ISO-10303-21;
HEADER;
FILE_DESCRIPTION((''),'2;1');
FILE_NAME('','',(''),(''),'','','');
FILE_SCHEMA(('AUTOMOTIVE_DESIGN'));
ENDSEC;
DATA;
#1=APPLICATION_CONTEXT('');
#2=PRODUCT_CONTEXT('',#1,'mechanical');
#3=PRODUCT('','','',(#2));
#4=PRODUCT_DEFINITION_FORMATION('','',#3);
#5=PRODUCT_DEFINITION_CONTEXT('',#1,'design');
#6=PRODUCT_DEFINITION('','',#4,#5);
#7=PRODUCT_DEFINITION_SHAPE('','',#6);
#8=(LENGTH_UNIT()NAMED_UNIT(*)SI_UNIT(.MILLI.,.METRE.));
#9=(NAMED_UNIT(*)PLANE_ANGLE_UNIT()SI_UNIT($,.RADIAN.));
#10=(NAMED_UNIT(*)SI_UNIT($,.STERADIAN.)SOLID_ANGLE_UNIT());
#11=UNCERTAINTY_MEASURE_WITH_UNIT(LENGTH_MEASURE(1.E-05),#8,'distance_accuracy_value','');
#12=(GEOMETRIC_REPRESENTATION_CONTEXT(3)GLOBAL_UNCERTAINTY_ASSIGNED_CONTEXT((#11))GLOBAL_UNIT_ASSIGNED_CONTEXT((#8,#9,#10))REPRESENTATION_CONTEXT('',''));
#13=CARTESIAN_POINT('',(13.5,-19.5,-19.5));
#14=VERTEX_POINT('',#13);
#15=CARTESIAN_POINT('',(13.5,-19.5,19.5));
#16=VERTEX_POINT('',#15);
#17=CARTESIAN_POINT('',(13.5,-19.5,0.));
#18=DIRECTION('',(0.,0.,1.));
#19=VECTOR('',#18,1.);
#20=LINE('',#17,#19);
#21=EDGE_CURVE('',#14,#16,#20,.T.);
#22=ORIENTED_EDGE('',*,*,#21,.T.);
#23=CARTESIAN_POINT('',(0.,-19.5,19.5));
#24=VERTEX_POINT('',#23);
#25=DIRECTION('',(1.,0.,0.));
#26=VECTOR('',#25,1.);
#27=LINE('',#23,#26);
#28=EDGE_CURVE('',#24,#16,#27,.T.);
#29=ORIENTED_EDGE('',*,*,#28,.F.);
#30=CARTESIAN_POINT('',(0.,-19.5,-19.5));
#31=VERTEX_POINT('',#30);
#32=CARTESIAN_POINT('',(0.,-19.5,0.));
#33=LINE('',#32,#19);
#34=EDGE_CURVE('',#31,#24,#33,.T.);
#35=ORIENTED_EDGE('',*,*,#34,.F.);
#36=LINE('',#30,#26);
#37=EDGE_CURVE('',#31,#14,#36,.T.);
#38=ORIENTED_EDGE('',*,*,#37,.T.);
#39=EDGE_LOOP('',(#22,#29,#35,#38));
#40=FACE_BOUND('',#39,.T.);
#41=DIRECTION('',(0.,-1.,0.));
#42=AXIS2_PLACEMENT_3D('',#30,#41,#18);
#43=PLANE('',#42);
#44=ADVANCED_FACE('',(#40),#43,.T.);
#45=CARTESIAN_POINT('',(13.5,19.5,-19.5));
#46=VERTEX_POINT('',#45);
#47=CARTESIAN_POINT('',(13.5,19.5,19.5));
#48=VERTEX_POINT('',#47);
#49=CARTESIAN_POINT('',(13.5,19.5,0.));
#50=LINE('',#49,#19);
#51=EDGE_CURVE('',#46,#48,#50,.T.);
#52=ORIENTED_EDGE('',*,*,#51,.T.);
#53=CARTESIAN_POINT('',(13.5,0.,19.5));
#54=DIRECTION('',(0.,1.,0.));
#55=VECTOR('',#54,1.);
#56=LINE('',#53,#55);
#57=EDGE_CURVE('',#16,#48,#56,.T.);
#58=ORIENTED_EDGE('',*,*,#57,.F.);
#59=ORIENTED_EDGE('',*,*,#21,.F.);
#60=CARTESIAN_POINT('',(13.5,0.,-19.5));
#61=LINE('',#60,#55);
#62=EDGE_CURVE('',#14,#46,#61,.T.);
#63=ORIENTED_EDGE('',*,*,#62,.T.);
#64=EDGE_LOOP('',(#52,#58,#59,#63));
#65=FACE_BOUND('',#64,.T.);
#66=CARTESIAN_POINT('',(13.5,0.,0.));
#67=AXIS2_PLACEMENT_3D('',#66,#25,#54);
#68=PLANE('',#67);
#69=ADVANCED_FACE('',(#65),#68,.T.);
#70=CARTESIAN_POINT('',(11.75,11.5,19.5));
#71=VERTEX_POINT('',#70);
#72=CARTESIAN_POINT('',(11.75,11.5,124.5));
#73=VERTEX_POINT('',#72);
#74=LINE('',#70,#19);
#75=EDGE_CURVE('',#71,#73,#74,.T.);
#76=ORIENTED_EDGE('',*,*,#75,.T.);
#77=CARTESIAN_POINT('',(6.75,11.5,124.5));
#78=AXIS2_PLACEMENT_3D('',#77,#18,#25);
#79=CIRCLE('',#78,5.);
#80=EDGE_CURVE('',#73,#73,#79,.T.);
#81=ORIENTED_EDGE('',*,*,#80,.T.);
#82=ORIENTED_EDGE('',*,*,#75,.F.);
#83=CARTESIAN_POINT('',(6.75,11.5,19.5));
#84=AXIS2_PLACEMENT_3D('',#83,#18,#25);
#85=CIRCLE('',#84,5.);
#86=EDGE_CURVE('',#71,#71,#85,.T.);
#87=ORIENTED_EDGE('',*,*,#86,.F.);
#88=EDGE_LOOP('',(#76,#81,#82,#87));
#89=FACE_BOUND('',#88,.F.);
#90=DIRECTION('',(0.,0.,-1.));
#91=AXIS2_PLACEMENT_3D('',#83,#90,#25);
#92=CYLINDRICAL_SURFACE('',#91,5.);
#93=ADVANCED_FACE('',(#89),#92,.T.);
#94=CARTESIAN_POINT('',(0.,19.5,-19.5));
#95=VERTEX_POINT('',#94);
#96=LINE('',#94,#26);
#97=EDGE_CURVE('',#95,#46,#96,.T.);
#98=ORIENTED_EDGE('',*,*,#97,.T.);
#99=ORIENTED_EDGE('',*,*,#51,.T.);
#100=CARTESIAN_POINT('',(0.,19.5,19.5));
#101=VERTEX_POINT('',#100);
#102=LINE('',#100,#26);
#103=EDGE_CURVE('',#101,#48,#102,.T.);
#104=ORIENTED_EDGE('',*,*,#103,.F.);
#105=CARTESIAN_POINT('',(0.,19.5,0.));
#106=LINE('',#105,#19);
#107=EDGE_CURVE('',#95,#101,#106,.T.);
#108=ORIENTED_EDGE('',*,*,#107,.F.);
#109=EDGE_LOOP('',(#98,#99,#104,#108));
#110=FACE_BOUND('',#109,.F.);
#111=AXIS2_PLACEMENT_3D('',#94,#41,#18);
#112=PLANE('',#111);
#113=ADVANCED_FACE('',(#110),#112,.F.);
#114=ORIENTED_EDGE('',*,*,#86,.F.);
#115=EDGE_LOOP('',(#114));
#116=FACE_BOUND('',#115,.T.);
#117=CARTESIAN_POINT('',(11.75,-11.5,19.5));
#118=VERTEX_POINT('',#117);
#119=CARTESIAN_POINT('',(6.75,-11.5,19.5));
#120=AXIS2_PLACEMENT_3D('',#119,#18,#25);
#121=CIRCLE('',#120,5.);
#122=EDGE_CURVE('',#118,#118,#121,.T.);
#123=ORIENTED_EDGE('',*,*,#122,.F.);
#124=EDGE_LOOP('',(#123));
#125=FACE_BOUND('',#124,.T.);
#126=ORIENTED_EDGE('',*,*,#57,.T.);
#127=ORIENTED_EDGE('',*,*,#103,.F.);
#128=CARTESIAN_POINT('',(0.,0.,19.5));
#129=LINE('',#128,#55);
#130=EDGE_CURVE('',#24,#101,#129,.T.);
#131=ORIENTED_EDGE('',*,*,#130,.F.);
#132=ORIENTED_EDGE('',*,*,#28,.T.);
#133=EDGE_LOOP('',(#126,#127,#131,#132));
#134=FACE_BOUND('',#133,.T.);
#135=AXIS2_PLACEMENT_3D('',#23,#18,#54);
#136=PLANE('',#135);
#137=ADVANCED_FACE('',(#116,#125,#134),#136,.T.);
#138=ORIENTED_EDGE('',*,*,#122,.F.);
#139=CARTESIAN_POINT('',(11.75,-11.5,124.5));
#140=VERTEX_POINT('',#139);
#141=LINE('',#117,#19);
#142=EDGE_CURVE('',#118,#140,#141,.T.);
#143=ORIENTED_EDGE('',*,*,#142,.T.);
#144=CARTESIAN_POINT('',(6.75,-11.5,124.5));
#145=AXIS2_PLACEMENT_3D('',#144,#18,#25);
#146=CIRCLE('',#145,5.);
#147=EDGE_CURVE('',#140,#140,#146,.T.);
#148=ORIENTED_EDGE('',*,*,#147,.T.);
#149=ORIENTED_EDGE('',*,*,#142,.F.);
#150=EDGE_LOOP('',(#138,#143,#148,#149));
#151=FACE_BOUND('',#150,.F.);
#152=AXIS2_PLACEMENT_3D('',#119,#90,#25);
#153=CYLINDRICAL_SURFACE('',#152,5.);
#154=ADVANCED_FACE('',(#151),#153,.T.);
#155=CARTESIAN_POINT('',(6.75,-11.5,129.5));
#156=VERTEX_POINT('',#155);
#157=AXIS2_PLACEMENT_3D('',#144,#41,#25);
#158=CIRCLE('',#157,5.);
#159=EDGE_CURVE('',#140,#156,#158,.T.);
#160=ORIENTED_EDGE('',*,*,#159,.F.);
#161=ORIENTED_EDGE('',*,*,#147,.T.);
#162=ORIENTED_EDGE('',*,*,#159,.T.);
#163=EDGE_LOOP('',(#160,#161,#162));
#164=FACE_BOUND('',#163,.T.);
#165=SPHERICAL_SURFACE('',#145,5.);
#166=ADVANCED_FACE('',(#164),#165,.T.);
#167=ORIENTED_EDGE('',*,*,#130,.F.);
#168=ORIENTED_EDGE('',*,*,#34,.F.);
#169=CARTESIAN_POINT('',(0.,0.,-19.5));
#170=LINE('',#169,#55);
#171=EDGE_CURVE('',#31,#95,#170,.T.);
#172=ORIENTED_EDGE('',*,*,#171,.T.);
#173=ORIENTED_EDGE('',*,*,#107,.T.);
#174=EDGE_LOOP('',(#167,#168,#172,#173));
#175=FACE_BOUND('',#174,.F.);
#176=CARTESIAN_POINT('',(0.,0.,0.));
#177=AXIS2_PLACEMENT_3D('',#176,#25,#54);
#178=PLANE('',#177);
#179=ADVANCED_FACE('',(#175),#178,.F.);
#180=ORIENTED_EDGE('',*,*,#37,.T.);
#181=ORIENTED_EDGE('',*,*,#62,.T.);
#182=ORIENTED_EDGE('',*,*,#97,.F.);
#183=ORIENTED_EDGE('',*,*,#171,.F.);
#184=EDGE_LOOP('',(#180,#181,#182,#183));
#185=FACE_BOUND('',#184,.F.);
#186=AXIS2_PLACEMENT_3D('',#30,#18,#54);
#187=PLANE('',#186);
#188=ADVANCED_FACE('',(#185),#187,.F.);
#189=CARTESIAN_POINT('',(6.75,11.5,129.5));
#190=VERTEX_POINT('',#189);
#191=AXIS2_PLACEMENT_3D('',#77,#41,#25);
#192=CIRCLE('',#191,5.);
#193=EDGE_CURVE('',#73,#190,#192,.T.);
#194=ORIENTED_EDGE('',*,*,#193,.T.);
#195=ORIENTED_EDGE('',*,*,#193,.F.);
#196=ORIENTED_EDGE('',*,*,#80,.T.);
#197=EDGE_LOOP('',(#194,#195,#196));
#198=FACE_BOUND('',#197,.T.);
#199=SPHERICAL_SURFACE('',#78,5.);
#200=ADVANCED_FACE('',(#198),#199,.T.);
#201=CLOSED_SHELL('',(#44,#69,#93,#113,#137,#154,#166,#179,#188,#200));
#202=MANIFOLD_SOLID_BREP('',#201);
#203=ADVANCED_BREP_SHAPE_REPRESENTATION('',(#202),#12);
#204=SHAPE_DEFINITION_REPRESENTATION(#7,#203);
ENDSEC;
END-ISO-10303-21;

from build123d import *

# Parameters (mm, degrees)
F0_W     = 39
F0_H     = 39
F1_DEPTH = 13.5
F2_R     = 5
F3_DEPTH = 110
F4_R     = 5


with BuildPart() as f1:
    # F0 (on Right) → F1 (new body)
    with BuildSketch(Plane.YZ):
        Rectangle(F0_W, F0_H)
    extrude(amount=F1_DEPTH)

    # F2 (on face) → F3 (join)
    with BuildSketch(Plane.XY.offset(19.5)):
        with Locations((6.75, 11.5)):
            Circle(F2_R)
        with Locations((6.75, -11.5)):
            Circle(F2_R)
    extrude(amount=F3_DEPTH)

    # F4
    f4_edges = [f1.edges().sort_by_distance(p)[0] for p in [
        (1.75, 11.5, 129.5),
        (1.75, -11.5, 129.5),
    ]]
    fillet(f4_edges, radius=F4_R)


solid = f1.part
